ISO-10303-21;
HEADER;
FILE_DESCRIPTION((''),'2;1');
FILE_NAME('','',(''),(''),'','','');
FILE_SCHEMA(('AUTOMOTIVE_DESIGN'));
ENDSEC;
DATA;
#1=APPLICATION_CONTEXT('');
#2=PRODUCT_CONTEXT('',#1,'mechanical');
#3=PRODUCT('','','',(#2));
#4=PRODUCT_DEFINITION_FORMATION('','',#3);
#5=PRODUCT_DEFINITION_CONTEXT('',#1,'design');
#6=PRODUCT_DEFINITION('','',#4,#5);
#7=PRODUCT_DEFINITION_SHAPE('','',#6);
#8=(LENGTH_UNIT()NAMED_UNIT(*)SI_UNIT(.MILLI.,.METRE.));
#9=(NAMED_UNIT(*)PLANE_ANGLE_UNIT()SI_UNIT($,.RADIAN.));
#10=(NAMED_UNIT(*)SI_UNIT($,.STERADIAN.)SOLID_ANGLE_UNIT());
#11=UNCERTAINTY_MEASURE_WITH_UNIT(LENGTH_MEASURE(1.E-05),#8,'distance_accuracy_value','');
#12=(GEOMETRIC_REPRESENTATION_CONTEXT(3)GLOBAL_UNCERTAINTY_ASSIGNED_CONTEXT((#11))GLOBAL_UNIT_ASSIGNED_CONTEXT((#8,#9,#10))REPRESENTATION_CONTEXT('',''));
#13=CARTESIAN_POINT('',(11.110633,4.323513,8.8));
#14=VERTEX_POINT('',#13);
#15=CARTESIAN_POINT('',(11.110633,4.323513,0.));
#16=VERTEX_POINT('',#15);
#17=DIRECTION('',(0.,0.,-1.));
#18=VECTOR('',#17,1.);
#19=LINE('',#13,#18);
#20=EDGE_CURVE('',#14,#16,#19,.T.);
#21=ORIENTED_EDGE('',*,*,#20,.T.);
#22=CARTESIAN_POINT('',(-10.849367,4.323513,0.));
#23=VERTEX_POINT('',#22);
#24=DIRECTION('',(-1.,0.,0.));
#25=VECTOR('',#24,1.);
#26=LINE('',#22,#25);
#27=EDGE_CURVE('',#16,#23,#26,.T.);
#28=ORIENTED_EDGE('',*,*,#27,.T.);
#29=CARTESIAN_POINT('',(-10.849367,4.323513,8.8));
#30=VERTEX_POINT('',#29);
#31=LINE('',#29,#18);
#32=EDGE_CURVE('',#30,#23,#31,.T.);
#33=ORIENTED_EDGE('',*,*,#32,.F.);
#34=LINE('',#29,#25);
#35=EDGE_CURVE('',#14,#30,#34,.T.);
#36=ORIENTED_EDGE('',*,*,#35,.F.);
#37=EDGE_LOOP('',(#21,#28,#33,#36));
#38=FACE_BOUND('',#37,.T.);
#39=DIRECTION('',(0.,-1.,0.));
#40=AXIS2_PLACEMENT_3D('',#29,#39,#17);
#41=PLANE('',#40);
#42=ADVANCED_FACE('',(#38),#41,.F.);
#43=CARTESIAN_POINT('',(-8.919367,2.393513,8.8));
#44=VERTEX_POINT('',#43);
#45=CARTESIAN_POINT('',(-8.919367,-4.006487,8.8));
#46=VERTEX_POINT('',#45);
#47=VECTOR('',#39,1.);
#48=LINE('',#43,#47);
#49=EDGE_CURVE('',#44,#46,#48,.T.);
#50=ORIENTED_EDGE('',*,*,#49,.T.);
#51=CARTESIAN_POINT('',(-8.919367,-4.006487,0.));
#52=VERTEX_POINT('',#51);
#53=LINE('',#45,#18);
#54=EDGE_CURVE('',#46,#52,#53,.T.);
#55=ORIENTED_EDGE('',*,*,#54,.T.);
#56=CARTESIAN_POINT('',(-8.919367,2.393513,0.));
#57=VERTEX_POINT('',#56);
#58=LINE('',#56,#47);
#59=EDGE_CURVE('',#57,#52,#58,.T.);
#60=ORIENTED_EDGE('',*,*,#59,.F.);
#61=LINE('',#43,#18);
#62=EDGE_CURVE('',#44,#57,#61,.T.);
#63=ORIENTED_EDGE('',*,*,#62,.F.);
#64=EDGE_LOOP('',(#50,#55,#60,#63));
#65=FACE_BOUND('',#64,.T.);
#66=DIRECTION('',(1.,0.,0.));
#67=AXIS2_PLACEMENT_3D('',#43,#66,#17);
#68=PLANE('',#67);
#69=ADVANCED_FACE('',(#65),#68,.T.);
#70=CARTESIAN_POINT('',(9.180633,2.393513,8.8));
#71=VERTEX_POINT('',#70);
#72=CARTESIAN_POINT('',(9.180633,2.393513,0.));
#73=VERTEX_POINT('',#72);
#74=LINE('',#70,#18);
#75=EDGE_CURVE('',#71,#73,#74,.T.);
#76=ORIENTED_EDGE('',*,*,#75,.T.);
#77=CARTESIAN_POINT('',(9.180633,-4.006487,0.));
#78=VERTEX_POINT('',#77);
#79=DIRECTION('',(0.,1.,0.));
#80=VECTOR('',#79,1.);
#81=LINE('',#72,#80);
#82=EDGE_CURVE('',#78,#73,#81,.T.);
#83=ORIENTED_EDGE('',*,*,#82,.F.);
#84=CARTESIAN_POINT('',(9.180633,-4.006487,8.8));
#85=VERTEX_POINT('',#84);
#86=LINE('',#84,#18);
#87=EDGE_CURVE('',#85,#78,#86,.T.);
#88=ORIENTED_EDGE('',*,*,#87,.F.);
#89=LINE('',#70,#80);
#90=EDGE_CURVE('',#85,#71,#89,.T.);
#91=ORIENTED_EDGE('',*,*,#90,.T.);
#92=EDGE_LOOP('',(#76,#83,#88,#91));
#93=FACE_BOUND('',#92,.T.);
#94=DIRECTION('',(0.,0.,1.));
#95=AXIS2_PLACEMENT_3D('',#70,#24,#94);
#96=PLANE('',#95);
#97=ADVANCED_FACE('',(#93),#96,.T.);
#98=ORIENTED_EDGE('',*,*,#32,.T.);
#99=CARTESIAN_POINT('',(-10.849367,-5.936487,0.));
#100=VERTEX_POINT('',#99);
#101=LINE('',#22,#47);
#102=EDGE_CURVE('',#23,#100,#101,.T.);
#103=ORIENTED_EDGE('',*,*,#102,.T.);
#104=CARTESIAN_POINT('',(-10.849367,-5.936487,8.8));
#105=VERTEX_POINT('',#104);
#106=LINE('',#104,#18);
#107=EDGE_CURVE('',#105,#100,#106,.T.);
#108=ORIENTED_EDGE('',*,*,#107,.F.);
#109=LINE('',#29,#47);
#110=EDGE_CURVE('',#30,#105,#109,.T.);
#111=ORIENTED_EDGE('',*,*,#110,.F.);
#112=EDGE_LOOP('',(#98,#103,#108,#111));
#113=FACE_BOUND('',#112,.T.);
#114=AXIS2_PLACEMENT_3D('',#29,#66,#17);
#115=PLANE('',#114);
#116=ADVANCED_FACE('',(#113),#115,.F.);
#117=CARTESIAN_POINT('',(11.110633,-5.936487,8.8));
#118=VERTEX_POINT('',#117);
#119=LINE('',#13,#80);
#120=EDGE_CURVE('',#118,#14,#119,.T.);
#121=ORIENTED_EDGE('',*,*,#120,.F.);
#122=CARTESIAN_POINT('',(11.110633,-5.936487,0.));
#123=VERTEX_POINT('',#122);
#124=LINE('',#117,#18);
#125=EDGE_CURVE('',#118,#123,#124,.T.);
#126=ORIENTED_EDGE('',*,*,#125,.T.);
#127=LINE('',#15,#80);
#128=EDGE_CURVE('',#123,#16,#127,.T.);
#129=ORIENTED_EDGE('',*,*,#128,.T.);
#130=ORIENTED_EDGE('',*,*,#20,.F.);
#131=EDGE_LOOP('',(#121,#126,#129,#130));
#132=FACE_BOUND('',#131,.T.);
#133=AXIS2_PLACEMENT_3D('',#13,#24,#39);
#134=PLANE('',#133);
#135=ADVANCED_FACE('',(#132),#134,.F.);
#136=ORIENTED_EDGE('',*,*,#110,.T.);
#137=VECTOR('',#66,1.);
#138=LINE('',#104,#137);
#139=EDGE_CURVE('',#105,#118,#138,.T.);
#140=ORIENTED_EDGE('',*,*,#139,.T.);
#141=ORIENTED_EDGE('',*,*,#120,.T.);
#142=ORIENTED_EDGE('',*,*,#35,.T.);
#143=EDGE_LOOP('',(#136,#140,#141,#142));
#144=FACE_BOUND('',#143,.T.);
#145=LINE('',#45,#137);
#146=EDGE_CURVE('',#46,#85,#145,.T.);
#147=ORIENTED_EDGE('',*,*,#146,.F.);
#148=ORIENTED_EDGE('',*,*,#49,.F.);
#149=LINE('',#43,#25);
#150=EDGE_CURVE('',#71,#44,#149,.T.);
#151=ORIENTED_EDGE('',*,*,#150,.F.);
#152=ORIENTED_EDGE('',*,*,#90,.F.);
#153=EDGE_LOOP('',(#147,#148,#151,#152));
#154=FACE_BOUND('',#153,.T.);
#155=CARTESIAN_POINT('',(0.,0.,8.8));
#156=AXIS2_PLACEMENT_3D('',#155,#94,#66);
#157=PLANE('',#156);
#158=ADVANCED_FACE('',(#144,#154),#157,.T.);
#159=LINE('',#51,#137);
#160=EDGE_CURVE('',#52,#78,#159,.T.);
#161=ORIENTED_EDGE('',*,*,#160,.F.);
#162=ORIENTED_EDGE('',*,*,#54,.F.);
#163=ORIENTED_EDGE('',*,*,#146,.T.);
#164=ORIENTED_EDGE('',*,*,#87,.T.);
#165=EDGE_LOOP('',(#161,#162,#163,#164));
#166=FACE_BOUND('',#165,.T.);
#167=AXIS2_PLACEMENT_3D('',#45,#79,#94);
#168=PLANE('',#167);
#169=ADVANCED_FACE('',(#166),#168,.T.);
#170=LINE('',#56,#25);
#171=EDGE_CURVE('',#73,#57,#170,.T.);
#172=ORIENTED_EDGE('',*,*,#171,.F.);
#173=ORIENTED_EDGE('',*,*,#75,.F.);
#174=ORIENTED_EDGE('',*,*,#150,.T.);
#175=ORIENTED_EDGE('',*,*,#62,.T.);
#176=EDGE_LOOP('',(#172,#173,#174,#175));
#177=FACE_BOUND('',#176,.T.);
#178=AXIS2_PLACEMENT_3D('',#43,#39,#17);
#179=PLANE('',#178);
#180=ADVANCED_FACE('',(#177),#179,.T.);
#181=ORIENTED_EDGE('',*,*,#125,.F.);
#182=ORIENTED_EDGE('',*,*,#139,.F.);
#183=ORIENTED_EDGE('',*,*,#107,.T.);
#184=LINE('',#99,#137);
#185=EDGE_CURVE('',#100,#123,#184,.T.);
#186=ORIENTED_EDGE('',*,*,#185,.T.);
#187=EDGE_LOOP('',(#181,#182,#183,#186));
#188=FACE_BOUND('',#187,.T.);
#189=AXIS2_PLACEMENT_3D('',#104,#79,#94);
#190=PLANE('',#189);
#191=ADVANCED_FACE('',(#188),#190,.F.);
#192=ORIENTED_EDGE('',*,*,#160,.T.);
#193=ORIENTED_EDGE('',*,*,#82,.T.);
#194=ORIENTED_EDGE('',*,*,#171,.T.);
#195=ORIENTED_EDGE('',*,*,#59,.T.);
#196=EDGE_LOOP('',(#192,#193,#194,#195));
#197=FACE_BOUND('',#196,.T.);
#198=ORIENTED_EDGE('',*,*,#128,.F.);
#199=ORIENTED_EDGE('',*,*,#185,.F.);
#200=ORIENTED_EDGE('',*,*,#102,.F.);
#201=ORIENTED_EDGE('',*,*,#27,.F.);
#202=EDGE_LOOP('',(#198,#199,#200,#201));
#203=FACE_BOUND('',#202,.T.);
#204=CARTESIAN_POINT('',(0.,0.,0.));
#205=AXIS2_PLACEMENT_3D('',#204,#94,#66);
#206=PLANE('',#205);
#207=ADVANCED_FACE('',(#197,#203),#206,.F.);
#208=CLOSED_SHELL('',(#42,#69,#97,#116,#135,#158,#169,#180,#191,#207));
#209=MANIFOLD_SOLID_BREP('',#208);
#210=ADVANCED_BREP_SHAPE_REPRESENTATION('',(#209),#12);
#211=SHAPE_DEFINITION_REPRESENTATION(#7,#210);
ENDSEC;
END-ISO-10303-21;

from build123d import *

# Parameters (mm, degrees)
SKETCH_1_W      = 21.96
SKETCH_1_H      = 10.26
SKETCH_1_W_2    = 18.1
SKETCH_1_H_2    = 6.4
EXTRUDE_1_DEPTH = 8.8


with BuildPart() as part:
    # 스케치1 → 보스-돌출1 (new body)
    with BuildSketch(Plane.XY):
        with Locations((0.130632814, -0.806487114)):
            Rectangle(SKETCH_1_W, SKETCH_1_H)
        with Locations((0.130632814, -0.806487114)):
            Rectangle(SKETCH_1_W_2, SKETCH_1_H_2, mode=Mode.SUBTRACT)
    extrude(amount=EXTRUDE_1_DEPTH)


solid = part.part
